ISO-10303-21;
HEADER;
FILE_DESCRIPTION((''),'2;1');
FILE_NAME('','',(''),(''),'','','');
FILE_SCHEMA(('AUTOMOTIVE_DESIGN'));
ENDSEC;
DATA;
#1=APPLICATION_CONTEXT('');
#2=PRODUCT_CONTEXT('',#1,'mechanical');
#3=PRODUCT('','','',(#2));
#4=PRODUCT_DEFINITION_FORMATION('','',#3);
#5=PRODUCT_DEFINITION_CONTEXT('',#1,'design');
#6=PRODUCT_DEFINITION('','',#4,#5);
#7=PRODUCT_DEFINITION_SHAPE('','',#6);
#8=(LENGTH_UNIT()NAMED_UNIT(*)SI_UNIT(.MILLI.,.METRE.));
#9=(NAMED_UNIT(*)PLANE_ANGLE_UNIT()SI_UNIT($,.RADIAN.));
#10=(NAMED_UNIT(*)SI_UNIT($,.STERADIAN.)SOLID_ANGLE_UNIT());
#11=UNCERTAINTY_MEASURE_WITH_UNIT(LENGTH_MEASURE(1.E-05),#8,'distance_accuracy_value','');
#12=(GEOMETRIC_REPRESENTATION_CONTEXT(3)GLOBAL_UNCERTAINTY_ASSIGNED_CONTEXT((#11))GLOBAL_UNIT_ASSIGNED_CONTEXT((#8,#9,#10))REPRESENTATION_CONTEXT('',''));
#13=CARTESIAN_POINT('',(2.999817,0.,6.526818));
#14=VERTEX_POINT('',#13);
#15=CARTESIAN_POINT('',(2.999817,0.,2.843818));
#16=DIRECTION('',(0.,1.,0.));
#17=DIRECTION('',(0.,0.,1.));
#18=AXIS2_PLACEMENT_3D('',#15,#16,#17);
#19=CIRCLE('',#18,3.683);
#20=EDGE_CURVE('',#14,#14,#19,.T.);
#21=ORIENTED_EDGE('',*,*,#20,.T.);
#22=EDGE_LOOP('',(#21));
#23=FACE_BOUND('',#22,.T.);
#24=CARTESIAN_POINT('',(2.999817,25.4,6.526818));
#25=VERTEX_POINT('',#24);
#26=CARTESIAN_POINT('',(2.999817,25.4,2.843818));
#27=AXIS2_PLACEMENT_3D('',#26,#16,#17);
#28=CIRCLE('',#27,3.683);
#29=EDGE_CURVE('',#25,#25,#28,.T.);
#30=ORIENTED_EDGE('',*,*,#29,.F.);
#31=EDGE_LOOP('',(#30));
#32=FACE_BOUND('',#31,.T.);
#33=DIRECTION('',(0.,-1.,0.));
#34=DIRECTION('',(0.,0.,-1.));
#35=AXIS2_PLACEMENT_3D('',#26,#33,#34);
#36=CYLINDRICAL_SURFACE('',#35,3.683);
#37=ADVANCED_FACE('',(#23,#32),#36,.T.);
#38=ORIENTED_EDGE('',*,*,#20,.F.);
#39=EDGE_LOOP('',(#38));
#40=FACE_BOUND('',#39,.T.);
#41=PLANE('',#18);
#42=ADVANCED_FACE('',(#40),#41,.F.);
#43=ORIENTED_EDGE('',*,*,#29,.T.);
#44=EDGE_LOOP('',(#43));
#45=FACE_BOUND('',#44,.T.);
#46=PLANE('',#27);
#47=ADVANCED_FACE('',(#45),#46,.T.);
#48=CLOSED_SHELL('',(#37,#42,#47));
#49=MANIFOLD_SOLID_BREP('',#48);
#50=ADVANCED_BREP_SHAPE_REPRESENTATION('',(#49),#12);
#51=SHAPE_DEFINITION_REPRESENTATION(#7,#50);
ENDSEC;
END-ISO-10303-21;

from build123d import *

# Parameters (mm, degrees)
SKETCH1_R           = 3.683
BOSS_EXTRUDE1_DEPTH = 25.4


with BuildPart() as part:
    # Sketch1 → Boss-Extrude1 (new body)
    with BuildSketch(Plane(origin=(0, 0, 0), x_dir=(1, 0, 0), z_dir=(0, 1, 0))):
        with Locations((2.999816581, -2.843818298)):
            Circle(SKETCH1_R)
    extrude(amount=BOSS_EXTRUDE1_DEPTH)


solid = part.part
